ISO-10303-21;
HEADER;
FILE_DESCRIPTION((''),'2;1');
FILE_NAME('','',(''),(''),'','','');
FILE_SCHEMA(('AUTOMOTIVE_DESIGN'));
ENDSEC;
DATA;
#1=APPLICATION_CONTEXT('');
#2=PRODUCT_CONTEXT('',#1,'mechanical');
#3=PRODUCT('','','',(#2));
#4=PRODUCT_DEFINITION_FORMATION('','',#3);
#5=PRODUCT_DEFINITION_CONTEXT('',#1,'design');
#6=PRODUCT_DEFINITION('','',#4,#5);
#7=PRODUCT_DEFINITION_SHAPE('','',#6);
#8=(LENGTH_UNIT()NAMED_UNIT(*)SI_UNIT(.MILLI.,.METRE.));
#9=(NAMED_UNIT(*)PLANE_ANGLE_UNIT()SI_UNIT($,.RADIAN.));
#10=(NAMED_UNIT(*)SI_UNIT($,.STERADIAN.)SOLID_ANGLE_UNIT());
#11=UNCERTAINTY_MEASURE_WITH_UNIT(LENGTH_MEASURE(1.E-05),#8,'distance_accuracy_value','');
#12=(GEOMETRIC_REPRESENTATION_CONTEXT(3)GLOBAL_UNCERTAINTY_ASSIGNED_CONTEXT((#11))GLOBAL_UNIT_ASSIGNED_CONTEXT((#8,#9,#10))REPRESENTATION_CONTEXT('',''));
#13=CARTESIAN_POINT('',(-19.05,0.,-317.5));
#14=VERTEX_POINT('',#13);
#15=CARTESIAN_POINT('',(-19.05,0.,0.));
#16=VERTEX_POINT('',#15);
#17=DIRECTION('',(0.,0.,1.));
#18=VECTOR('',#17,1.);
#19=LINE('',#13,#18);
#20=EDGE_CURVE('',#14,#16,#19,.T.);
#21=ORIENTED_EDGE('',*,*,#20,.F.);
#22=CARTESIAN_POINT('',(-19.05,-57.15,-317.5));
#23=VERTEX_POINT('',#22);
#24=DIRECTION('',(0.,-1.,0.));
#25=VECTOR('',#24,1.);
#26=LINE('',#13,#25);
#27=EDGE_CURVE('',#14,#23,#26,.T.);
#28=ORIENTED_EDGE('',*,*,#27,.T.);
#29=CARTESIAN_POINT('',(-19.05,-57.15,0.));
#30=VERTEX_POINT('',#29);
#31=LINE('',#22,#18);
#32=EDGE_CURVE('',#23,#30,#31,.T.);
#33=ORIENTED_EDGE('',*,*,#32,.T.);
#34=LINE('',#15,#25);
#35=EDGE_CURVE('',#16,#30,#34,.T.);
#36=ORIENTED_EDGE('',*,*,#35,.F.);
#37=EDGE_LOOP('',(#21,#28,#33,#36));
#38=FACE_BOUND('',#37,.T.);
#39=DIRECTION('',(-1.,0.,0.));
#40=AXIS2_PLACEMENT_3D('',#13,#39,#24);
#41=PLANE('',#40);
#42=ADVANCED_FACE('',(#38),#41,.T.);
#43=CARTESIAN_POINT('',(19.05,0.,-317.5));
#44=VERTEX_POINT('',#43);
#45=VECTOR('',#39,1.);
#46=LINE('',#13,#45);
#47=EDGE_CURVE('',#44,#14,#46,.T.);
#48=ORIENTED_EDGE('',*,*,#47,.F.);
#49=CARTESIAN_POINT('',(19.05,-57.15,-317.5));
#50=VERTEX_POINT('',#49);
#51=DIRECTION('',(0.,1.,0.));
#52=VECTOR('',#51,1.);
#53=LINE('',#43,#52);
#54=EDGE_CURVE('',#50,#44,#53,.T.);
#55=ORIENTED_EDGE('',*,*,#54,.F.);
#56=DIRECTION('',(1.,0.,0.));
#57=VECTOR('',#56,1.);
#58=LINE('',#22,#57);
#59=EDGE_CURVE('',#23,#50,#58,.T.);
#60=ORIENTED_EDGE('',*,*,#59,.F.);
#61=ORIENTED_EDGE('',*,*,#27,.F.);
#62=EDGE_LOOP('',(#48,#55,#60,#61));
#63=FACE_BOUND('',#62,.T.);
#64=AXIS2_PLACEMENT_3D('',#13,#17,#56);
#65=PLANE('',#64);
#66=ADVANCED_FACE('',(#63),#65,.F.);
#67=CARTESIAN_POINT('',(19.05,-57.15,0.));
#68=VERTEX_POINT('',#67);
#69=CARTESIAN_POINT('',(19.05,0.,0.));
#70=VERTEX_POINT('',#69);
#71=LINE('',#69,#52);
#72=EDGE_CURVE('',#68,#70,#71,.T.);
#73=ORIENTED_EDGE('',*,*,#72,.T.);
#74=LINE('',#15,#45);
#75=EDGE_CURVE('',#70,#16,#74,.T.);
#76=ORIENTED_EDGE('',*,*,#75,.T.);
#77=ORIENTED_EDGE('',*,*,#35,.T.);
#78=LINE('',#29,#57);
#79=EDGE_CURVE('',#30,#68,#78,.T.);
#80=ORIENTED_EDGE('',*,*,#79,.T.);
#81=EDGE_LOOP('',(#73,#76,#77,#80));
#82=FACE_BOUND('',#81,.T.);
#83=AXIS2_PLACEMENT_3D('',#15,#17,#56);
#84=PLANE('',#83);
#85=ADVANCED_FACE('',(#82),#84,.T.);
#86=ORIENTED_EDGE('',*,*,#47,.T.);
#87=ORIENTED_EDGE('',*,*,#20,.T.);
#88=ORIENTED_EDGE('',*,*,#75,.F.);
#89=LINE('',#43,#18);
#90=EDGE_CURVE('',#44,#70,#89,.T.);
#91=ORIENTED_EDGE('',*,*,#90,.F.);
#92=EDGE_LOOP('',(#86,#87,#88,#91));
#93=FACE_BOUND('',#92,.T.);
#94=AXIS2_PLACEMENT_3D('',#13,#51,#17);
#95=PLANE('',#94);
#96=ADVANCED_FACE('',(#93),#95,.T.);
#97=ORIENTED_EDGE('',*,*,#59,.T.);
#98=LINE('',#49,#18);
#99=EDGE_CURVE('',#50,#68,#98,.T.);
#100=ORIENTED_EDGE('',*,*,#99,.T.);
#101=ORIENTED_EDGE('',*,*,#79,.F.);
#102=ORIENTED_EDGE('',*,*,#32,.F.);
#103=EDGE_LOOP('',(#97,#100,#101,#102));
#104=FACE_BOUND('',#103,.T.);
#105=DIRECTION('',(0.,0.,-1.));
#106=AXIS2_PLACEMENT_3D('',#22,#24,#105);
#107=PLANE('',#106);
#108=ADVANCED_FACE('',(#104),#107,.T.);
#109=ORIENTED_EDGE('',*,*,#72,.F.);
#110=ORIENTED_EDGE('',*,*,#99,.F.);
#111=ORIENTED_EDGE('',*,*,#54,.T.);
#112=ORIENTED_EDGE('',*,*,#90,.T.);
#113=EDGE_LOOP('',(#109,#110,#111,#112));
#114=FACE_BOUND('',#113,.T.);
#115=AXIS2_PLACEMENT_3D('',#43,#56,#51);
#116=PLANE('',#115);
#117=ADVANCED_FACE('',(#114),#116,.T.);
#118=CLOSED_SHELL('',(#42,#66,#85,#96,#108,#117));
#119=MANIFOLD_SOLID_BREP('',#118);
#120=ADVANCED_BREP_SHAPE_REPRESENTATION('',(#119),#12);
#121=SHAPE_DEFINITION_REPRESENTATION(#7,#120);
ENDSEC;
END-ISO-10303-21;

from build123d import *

# Parameters (mm, degrees)
SKETCH1_W      = 38.1
SKETCH1_H      = 57.15
EXTRUDE1_DEPTH = 317.5


with BuildPart() as part:
    # Sketch1 → Extrude1 (new body)
    with BuildSketch(Plane.XY):
        with Locations((0, -28.575)):
            Rectangle(SKETCH1_W, SKETCH1_H)
    extrude(amount=-EXTRUDE1_DEPTH)


solid = part.part
